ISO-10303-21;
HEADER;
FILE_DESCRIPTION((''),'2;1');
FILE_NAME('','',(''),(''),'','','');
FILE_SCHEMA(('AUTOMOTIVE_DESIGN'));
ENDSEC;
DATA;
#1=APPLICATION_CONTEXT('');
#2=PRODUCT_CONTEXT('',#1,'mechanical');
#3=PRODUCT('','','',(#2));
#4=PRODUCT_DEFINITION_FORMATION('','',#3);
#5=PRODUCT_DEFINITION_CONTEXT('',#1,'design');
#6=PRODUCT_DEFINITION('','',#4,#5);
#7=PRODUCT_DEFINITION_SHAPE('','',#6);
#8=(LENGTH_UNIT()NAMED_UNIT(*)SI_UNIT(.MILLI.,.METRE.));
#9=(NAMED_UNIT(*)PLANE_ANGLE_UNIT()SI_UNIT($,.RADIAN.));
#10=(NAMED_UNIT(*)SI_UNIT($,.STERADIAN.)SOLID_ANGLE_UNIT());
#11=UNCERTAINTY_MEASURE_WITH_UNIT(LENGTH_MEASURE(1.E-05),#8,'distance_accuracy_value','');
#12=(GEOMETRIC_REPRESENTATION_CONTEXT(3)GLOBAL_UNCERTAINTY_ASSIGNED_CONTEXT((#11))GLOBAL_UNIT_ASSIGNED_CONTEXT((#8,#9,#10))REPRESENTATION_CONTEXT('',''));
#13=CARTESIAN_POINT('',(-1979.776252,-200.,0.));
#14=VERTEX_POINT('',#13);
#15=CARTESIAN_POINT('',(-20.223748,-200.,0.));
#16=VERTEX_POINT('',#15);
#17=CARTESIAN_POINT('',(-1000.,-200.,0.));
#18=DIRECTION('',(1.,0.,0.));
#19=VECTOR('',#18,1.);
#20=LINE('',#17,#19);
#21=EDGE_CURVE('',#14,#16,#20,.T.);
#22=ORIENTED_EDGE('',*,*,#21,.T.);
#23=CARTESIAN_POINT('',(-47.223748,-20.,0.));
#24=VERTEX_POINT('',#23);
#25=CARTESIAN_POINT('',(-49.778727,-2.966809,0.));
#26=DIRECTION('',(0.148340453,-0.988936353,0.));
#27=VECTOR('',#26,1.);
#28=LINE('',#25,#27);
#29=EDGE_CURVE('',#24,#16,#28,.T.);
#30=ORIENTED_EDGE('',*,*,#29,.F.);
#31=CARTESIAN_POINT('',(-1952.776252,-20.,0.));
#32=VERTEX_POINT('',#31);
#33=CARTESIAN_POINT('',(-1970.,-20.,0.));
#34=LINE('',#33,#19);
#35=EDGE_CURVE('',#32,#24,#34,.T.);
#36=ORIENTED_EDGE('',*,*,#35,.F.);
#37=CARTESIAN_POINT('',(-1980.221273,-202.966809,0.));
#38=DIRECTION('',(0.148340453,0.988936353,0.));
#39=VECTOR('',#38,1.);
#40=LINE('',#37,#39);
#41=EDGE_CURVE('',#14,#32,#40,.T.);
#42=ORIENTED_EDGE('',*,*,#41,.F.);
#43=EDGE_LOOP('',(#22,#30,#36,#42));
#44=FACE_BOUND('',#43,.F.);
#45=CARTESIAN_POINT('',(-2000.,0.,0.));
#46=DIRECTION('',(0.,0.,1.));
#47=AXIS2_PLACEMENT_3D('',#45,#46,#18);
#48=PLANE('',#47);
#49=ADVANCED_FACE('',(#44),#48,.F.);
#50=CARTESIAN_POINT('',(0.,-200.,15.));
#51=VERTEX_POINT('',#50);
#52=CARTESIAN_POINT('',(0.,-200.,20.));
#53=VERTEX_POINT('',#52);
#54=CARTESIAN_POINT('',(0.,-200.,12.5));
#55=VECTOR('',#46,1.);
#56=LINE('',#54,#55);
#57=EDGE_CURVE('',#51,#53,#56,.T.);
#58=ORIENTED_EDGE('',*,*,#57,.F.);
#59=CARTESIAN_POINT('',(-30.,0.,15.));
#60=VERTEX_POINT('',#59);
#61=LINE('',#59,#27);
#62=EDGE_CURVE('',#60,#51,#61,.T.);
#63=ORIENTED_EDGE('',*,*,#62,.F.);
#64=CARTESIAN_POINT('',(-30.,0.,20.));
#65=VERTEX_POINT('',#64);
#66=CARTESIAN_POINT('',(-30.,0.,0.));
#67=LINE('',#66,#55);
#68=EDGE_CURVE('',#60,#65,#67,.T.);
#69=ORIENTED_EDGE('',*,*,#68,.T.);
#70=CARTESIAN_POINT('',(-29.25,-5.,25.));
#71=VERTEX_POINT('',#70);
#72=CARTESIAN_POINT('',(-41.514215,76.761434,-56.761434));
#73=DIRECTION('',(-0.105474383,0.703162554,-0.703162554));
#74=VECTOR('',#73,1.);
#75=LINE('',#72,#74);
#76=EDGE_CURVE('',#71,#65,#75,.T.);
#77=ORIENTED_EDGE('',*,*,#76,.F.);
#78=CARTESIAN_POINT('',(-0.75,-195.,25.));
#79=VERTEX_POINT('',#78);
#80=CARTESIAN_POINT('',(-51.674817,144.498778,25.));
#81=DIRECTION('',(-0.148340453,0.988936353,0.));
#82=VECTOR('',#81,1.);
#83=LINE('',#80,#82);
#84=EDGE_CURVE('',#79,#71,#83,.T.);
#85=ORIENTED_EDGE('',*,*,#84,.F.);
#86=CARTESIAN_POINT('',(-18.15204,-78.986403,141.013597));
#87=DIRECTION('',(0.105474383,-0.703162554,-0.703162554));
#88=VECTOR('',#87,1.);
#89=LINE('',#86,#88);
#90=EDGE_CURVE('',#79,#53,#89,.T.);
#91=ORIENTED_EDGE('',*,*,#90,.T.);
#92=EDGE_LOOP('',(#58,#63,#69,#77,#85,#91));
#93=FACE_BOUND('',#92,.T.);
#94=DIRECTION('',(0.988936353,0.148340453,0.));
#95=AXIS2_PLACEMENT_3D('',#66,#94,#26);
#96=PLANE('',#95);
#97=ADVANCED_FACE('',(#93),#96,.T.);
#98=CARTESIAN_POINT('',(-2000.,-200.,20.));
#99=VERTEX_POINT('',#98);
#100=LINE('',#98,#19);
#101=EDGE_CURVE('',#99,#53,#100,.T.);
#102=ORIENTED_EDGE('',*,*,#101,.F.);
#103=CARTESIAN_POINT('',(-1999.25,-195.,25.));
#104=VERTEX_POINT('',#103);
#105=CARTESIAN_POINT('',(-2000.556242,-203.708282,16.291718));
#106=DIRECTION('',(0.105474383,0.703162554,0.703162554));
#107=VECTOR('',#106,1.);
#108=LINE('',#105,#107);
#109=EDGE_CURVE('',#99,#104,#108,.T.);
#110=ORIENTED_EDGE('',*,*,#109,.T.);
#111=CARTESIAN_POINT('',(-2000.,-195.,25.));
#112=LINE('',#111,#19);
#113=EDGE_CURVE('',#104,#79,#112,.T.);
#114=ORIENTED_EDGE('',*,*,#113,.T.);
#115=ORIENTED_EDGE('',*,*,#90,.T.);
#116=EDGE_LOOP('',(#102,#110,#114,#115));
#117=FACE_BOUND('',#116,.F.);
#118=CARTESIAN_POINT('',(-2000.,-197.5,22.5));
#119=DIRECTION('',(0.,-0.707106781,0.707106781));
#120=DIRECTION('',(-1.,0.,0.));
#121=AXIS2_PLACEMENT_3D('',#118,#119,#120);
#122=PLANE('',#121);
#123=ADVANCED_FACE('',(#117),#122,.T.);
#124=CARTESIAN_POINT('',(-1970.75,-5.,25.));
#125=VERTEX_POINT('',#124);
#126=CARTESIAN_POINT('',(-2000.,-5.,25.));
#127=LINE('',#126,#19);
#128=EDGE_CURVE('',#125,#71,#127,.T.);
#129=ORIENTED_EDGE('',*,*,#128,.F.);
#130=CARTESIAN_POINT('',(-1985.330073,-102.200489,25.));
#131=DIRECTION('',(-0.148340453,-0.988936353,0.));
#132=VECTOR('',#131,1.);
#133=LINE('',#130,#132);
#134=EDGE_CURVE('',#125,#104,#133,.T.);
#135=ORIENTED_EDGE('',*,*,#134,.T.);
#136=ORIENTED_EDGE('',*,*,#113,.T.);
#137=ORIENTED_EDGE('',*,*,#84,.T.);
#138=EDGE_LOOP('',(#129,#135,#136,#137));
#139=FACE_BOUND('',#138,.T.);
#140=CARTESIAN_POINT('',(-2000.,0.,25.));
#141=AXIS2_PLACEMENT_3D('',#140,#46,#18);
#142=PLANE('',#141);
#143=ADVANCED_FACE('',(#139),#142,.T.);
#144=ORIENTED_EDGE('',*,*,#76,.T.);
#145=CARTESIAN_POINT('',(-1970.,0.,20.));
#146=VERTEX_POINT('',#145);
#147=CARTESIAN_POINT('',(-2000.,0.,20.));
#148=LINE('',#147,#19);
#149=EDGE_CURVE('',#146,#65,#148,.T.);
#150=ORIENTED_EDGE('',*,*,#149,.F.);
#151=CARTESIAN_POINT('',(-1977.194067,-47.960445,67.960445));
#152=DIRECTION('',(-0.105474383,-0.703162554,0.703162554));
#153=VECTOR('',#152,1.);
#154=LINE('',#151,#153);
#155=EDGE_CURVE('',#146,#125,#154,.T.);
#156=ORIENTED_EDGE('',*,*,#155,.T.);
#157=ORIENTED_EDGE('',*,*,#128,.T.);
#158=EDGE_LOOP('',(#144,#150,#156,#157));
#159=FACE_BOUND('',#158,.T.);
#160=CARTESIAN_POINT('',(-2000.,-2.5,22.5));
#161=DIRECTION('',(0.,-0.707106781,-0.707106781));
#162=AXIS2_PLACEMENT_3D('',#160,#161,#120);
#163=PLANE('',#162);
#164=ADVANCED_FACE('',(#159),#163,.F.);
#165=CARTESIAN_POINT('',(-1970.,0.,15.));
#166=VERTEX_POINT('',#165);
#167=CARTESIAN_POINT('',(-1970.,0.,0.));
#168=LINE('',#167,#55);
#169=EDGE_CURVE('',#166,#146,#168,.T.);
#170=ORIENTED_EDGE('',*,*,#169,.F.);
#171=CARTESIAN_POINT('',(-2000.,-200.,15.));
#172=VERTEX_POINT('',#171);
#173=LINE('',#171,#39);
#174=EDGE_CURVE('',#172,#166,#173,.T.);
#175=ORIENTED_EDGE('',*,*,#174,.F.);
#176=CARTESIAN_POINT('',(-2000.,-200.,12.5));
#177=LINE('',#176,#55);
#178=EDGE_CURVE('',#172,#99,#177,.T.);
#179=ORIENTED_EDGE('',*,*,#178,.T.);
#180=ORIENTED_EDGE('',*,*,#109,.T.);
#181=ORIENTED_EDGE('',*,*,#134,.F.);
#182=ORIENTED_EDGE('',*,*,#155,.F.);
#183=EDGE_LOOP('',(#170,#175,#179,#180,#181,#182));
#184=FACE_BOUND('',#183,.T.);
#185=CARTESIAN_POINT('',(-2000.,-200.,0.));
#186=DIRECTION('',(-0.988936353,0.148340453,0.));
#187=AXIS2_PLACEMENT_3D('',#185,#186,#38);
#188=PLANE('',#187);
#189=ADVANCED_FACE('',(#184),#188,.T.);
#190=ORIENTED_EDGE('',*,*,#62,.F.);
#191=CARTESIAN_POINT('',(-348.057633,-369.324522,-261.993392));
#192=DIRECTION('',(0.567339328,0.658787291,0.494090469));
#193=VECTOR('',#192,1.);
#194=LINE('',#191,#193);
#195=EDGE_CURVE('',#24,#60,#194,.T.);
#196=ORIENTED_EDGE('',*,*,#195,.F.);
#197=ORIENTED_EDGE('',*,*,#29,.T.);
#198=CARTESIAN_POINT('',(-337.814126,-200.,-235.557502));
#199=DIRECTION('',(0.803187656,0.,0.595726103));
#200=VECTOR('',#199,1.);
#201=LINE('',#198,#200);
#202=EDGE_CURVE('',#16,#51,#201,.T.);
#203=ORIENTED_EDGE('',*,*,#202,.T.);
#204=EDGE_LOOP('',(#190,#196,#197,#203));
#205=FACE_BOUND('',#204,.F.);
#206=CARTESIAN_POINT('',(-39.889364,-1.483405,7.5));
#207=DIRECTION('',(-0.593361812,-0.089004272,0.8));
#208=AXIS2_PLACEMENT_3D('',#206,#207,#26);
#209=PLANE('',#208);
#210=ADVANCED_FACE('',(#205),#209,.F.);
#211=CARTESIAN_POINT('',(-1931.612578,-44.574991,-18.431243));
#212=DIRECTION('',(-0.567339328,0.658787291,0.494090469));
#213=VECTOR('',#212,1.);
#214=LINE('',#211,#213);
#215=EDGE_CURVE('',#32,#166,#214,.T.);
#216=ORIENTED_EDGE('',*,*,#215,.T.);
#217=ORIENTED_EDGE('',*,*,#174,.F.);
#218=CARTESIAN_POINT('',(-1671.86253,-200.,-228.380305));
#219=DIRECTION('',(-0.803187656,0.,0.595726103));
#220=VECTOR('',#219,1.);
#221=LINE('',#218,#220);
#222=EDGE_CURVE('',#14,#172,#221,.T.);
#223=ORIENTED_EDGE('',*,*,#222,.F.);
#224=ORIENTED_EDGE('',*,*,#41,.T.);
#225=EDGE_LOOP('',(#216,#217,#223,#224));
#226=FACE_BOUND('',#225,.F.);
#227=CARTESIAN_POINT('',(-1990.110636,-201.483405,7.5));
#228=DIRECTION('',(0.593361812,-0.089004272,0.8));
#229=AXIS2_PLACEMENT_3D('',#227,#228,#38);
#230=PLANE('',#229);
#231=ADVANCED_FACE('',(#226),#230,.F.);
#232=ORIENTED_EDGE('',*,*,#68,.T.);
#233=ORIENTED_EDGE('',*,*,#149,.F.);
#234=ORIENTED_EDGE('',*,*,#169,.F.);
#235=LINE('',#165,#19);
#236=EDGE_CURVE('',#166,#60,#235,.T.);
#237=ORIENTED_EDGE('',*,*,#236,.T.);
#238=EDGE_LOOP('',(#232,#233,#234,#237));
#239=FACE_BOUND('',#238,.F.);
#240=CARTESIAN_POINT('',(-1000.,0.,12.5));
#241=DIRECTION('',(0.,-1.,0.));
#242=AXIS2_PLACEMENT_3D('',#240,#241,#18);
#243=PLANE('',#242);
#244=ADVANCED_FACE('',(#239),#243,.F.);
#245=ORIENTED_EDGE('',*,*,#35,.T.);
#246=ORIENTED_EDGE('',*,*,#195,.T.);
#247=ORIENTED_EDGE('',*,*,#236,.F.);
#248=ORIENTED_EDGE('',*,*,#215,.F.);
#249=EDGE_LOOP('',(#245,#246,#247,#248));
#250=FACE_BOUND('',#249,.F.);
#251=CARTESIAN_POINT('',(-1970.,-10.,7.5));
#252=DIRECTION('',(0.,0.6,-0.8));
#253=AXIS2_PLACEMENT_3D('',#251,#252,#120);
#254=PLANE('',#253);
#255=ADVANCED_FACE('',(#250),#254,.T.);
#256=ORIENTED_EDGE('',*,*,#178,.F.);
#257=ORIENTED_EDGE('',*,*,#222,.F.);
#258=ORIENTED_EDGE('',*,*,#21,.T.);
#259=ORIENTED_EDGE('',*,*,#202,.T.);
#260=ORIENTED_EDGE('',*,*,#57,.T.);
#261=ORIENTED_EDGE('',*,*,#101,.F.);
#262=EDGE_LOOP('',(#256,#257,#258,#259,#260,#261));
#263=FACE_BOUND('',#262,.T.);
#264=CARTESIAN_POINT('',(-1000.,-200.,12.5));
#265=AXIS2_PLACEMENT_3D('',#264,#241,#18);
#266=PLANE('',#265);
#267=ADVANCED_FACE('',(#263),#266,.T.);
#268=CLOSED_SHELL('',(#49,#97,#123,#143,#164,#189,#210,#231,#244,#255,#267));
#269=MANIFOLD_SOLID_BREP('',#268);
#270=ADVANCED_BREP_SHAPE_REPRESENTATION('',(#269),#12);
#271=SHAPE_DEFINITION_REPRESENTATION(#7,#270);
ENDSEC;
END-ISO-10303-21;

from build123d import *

# Parameters (mm, degrees)
F0_W     = 2000
F0_H     = 25
F1_DEPTH = 200
F2_SIZE  = 5
F4_DEPTH = 153
F5_SIZE2 = 15
F5_SIZE  = 20


with BuildPart() as f1:
    # F0 (on Front) → F1 (new body)
    with BuildSketch(Plane.XZ):
        with Locations((-1000, 12.5)):
            Rectangle(F0_W, F0_H)
    extrude(amount=F1_DEPTH)

    # F2
    f2_edges = [f1.edges().sort_by_distance(p)[0] for p in [
        (-1000, -200, 25),
        (-1000, 0, 25),
    ]]
    chamfer(f2_edges, length=F2_SIZE)

    # F3 (on Top) → F4 (cut)
    with BuildSketch(Plane.XY):
        Polygon((0, -200), (0, 0), (-30, 0), align=None)
        Polygon((-2000, 0), (-2000, -200), (-1970, 0), align=None)
    extrude(amount=F4_DEPTH, mode=Mode.SUBTRACT)

    # F5
    f5_edges = [f1.edges().sort_by_distance(p)[0] for p in [
        (-1000, 0, 0),
        (-15, -100, 0),
        (-1985, -100, 0),
    ]]
    f5_side = f1.faces().sort_by_distance((-1000, -100.507614, 0))[0]
    chamfer(f5_edges, length=F5_SIZE, length2=F5_SIZE2, reference=f5_side)


solid = f1.part
